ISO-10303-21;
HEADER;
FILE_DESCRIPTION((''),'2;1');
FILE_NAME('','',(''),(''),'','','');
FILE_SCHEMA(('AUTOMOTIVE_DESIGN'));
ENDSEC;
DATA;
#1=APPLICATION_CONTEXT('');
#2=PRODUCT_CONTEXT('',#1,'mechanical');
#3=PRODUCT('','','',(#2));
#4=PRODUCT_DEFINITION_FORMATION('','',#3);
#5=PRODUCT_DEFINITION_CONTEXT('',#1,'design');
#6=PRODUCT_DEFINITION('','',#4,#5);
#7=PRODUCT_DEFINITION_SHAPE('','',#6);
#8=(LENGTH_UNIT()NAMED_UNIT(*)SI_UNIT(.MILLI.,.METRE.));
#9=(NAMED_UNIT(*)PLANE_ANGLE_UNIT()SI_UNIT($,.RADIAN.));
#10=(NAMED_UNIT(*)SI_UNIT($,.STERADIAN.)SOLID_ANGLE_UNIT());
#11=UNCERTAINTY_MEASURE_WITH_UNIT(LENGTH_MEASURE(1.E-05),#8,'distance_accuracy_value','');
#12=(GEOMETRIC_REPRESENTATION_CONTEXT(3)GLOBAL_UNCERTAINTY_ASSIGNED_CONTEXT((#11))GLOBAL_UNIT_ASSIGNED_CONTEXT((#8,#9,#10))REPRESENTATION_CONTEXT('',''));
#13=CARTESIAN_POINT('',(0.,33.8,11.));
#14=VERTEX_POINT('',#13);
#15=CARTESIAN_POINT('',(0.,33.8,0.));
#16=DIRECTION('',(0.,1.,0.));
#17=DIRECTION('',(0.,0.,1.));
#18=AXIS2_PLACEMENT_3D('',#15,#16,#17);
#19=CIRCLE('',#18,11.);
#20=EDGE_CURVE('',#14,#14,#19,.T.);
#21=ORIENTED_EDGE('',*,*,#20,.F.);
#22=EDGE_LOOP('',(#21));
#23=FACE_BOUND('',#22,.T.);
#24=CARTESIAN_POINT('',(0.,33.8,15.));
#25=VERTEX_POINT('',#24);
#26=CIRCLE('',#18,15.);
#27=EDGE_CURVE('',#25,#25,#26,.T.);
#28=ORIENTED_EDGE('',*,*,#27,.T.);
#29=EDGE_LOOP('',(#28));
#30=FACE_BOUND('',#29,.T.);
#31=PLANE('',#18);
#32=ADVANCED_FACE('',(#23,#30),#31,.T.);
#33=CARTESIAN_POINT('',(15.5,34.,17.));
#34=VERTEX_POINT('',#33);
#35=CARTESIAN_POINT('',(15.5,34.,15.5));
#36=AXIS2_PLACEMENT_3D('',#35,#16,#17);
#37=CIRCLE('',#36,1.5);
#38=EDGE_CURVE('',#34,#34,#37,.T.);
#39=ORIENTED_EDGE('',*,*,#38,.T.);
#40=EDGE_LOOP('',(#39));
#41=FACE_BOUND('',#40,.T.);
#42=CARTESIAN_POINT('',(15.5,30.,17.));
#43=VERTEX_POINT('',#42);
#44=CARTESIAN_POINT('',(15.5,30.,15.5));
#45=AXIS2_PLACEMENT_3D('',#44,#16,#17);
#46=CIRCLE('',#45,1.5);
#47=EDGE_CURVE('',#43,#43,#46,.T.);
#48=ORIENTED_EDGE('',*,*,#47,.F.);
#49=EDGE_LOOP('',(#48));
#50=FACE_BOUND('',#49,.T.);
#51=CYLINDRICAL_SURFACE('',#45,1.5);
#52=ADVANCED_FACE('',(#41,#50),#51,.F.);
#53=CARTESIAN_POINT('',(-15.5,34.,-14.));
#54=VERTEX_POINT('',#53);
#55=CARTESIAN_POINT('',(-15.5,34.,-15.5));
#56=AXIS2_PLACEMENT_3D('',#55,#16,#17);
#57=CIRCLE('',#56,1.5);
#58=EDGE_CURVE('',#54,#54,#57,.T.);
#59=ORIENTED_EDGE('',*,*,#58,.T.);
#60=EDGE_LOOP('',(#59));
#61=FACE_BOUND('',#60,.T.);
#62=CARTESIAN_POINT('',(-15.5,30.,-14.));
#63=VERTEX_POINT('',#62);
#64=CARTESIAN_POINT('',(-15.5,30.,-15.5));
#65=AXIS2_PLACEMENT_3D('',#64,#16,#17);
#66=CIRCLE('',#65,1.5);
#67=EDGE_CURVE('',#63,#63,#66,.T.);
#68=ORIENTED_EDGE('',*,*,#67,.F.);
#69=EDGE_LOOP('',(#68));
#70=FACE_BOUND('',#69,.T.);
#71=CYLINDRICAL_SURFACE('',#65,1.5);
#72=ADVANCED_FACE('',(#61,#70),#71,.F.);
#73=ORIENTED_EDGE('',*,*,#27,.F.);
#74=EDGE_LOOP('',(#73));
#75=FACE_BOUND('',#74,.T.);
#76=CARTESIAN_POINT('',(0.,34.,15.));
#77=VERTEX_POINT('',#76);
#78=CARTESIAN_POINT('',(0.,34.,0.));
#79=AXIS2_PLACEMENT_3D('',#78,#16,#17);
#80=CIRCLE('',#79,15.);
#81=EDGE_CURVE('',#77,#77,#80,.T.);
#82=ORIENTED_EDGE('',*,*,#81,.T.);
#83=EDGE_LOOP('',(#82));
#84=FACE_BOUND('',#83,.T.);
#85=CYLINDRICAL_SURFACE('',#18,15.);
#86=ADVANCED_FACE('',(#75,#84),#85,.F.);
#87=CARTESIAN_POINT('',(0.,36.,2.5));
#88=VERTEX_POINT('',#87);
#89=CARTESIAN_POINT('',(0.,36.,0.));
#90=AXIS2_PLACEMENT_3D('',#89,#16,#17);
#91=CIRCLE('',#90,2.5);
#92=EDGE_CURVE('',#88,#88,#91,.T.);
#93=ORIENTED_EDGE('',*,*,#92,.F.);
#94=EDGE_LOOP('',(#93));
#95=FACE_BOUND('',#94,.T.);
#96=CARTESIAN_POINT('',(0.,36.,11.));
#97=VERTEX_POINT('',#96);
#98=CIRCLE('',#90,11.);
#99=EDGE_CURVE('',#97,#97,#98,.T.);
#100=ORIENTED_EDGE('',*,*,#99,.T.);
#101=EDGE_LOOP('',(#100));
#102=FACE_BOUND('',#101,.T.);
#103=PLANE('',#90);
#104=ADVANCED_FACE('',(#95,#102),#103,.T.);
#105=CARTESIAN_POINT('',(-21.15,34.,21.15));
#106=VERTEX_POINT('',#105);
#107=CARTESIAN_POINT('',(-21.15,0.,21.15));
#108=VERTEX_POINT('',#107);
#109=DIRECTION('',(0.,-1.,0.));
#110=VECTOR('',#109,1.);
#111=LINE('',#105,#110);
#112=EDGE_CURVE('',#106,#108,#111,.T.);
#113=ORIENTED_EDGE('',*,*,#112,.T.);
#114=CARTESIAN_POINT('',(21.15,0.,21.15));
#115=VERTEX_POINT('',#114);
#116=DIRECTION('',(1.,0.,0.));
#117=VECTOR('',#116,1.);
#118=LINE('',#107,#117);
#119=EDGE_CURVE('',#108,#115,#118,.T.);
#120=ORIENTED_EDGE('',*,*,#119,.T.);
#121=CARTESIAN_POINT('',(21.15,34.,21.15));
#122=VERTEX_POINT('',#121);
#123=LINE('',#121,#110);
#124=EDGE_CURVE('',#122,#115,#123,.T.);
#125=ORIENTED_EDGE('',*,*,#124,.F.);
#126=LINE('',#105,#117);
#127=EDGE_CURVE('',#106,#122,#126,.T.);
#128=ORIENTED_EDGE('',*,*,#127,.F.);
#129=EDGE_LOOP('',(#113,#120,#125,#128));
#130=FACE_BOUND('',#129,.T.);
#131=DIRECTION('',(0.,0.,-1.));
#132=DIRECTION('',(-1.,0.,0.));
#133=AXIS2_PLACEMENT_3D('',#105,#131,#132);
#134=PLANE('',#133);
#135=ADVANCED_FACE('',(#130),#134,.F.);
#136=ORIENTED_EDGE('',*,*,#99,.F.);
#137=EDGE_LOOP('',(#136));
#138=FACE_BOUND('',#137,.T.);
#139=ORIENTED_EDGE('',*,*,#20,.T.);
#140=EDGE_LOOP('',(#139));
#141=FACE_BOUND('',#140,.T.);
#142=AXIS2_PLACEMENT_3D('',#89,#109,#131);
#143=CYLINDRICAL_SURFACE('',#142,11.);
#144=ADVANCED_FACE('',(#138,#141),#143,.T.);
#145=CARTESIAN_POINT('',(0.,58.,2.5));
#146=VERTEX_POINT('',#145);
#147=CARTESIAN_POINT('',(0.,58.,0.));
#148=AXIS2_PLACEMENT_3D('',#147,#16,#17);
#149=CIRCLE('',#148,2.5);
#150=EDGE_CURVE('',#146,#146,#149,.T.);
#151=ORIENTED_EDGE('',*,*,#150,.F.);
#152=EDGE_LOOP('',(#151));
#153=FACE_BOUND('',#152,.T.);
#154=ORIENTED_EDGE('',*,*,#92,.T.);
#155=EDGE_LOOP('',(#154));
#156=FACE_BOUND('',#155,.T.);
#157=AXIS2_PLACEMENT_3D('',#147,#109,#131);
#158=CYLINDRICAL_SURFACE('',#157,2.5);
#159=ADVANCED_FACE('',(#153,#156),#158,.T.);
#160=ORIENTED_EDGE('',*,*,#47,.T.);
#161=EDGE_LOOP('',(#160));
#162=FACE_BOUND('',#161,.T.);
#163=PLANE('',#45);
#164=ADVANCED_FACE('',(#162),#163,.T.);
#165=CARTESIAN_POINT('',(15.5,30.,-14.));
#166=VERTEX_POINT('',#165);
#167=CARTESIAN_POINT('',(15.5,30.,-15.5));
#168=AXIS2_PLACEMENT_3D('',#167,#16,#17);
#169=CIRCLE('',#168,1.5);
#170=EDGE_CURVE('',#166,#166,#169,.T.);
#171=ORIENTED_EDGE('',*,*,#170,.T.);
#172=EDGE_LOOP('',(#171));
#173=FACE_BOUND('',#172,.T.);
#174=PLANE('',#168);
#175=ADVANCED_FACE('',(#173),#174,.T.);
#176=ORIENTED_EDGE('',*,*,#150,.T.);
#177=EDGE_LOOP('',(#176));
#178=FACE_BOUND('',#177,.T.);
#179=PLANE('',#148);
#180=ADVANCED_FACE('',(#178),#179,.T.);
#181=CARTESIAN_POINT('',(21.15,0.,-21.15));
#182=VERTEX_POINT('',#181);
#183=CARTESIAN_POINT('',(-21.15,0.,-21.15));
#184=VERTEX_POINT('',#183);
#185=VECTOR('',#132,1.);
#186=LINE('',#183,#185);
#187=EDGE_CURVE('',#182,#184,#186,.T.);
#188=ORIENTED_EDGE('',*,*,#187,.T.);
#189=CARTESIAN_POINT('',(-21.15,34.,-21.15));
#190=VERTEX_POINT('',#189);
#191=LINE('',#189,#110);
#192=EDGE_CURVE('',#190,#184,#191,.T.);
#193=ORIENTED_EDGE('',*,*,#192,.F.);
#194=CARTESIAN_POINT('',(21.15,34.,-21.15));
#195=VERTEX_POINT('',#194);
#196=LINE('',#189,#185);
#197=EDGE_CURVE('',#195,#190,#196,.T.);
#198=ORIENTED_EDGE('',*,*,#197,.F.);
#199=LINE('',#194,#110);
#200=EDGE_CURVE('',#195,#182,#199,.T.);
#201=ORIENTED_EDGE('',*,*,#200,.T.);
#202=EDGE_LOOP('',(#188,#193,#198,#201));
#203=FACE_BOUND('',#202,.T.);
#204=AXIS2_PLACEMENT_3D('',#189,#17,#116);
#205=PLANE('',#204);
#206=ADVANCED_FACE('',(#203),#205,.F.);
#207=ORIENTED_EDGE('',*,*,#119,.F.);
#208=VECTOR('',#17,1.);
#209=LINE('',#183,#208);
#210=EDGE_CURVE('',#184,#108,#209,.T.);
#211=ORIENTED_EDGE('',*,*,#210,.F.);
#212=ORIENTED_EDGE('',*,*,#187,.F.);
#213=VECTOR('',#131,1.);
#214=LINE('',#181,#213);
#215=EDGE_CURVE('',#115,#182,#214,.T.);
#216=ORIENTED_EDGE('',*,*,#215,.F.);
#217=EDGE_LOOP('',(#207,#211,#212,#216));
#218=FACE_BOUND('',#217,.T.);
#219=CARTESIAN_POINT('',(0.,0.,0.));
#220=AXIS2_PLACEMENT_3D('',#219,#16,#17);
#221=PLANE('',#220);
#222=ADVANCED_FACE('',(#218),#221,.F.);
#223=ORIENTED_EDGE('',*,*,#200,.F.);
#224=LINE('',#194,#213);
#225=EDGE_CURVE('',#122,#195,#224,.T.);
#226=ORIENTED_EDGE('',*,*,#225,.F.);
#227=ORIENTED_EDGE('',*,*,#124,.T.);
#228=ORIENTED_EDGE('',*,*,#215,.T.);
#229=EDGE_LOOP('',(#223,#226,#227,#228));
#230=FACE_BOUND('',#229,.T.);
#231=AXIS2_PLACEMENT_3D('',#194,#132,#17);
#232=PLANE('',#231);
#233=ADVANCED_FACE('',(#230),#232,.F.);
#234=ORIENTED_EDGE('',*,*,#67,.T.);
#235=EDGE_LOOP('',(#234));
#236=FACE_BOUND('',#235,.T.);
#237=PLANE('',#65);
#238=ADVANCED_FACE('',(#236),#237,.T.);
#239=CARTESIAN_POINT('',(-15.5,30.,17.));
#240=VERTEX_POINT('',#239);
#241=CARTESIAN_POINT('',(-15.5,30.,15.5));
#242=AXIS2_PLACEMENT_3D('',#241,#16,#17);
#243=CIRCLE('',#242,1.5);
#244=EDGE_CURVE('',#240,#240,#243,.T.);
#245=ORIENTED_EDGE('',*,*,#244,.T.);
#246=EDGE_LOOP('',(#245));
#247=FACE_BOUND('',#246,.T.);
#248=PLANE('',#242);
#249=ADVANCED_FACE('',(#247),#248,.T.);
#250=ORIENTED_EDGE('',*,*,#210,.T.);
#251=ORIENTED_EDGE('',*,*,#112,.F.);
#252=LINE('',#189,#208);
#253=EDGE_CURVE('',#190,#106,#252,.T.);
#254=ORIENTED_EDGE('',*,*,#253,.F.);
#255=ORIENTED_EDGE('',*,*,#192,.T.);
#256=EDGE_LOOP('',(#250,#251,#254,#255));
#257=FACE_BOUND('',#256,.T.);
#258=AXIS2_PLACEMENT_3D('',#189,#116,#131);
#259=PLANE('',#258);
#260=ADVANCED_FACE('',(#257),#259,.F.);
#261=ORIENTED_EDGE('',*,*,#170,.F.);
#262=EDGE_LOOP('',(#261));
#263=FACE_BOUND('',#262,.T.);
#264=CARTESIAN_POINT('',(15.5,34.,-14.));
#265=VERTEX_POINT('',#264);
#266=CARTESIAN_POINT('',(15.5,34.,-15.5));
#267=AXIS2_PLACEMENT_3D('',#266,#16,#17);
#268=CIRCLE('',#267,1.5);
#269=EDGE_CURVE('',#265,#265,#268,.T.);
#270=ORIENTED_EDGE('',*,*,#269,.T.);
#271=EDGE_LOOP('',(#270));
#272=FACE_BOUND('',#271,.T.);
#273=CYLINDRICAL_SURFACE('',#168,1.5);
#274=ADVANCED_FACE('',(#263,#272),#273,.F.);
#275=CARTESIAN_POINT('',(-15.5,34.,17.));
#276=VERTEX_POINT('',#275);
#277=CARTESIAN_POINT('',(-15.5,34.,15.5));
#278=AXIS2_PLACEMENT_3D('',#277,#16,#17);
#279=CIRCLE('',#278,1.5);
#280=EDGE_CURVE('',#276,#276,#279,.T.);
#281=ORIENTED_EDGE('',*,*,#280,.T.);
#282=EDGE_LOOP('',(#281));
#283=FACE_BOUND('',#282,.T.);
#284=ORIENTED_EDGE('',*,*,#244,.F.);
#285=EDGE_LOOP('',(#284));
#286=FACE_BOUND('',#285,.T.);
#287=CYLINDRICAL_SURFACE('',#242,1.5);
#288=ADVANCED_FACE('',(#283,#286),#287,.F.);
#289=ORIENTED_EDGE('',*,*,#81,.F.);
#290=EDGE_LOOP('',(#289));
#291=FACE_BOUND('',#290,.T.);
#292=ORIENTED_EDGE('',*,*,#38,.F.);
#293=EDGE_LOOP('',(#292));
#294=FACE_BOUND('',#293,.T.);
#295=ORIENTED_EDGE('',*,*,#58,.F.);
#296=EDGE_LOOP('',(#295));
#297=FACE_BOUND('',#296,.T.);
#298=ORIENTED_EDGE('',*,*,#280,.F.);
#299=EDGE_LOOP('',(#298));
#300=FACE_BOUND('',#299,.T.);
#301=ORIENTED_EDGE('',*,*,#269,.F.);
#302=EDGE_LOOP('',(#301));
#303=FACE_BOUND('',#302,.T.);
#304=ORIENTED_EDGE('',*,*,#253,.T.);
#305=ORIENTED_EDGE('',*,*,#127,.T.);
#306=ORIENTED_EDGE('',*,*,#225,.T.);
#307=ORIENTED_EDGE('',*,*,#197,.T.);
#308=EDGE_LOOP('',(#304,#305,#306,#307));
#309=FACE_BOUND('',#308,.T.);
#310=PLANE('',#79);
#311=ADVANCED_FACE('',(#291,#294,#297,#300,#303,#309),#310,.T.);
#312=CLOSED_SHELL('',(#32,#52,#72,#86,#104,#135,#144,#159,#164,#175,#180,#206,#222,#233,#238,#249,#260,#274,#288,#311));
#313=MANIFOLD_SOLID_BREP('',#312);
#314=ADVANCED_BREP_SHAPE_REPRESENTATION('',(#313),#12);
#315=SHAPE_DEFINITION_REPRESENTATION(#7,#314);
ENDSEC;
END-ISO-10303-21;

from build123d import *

# Parameters (mm, degrees)
SKETCH1_W            = 42.3
SKETCH1_H            = 42.3
BODY_DEPTH           = 34
SKETCH2_R            = 1.5
MOUNTING_HOLES_DEPTH = 4
SKETCH3_R            = 11
CENTER_THING_DEPTH   = 2
SKETCH4_R            = 2.5
SHAFT_DEPTH          = 22
LARGE_DIVOT_START    = -0.2
SKETCH5_R            = 15
SKETCH5_R_2          = 11
LARGE_DIVOT_DEPTH    = 0.2


with BuildPart() as part:
    # Sketch1 → body (new body)
    with BuildSketch(Plane(origin=(0, 0, 0), x_dir=(1, 0, 0), z_dir=(0, 1, 0))):
        Rectangle(SKETCH1_W, SKETCH1_H)
    extrude(amount=BODY_DEPTH)

    # Sketch2 → mounting-holes (cut)
    with BuildSketch(Plane(origin=(0, 34, 0), x_dir=(1, 0, 0), z_dir=(0, 1, 0))):
        with Locations(Location((-15.5, 15.5, 0), (0, 0, 270))):
            Circle(SKETCH2_R)
        with Locations(Location((15.5, 15.5, 0), (0, 0, 270))):
            Circle(SKETCH2_R)
        with Locations(Location((15.5, -15.5, 0), (0, 0, 270))):
            Circle(SKETCH2_R)
        with Locations(Location((-15.5, -15.5, 0), (0, 0, 270))):
            Circle(SKETCH2_R)
    extrude(amount=-MOUNTING_HOLES_DEPTH, mode=Mode.SUBTRACT)

    # Sketch3 → center-thing (add)
    with BuildSketch(Plane(origin=(0, 34, 0), x_dir=(1, 0, 0), z_dir=(0, 1, 0))):
        with Locations(Location((0, 0, 0), (0, 0, 270))):
            Circle(SKETCH3_R)
    extrude(amount=CENTER_THING_DEPTH)

    # Sketch4 → shaft (add)
    with BuildSketch(Plane(origin=(0, 36, 0), x_dir=(1, 0, 0), z_dir=(0, 1, 0))):
        with Locations(Location((0, 0, 0), (0, 0, 270))):
            Circle(SKETCH4_R)
    extrude(amount=SHAFT_DEPTH)

    # Sketch5 → large-divot (cut)
    with BuildSketch(Plane(origin=(0, 34, 0), x_dir=(1, 0, 0), z_dir=(0, 1, 0)).offset(LARGE_DIVOT_START)):
        with Locations(Location((0, 0, 0), (0, 0, 270))):
            Circle(SKETCH5_R)
        with Locations(Location((0, 0, 0), (0, 0, 270))):
            Circle(SKETCH5_R_2, mode=Mode.SUBTRACT)
    extrude(amount=LARGE_DIVOT_DEPTH, mode=Mode.SUBTRACT)


solid = part.part
